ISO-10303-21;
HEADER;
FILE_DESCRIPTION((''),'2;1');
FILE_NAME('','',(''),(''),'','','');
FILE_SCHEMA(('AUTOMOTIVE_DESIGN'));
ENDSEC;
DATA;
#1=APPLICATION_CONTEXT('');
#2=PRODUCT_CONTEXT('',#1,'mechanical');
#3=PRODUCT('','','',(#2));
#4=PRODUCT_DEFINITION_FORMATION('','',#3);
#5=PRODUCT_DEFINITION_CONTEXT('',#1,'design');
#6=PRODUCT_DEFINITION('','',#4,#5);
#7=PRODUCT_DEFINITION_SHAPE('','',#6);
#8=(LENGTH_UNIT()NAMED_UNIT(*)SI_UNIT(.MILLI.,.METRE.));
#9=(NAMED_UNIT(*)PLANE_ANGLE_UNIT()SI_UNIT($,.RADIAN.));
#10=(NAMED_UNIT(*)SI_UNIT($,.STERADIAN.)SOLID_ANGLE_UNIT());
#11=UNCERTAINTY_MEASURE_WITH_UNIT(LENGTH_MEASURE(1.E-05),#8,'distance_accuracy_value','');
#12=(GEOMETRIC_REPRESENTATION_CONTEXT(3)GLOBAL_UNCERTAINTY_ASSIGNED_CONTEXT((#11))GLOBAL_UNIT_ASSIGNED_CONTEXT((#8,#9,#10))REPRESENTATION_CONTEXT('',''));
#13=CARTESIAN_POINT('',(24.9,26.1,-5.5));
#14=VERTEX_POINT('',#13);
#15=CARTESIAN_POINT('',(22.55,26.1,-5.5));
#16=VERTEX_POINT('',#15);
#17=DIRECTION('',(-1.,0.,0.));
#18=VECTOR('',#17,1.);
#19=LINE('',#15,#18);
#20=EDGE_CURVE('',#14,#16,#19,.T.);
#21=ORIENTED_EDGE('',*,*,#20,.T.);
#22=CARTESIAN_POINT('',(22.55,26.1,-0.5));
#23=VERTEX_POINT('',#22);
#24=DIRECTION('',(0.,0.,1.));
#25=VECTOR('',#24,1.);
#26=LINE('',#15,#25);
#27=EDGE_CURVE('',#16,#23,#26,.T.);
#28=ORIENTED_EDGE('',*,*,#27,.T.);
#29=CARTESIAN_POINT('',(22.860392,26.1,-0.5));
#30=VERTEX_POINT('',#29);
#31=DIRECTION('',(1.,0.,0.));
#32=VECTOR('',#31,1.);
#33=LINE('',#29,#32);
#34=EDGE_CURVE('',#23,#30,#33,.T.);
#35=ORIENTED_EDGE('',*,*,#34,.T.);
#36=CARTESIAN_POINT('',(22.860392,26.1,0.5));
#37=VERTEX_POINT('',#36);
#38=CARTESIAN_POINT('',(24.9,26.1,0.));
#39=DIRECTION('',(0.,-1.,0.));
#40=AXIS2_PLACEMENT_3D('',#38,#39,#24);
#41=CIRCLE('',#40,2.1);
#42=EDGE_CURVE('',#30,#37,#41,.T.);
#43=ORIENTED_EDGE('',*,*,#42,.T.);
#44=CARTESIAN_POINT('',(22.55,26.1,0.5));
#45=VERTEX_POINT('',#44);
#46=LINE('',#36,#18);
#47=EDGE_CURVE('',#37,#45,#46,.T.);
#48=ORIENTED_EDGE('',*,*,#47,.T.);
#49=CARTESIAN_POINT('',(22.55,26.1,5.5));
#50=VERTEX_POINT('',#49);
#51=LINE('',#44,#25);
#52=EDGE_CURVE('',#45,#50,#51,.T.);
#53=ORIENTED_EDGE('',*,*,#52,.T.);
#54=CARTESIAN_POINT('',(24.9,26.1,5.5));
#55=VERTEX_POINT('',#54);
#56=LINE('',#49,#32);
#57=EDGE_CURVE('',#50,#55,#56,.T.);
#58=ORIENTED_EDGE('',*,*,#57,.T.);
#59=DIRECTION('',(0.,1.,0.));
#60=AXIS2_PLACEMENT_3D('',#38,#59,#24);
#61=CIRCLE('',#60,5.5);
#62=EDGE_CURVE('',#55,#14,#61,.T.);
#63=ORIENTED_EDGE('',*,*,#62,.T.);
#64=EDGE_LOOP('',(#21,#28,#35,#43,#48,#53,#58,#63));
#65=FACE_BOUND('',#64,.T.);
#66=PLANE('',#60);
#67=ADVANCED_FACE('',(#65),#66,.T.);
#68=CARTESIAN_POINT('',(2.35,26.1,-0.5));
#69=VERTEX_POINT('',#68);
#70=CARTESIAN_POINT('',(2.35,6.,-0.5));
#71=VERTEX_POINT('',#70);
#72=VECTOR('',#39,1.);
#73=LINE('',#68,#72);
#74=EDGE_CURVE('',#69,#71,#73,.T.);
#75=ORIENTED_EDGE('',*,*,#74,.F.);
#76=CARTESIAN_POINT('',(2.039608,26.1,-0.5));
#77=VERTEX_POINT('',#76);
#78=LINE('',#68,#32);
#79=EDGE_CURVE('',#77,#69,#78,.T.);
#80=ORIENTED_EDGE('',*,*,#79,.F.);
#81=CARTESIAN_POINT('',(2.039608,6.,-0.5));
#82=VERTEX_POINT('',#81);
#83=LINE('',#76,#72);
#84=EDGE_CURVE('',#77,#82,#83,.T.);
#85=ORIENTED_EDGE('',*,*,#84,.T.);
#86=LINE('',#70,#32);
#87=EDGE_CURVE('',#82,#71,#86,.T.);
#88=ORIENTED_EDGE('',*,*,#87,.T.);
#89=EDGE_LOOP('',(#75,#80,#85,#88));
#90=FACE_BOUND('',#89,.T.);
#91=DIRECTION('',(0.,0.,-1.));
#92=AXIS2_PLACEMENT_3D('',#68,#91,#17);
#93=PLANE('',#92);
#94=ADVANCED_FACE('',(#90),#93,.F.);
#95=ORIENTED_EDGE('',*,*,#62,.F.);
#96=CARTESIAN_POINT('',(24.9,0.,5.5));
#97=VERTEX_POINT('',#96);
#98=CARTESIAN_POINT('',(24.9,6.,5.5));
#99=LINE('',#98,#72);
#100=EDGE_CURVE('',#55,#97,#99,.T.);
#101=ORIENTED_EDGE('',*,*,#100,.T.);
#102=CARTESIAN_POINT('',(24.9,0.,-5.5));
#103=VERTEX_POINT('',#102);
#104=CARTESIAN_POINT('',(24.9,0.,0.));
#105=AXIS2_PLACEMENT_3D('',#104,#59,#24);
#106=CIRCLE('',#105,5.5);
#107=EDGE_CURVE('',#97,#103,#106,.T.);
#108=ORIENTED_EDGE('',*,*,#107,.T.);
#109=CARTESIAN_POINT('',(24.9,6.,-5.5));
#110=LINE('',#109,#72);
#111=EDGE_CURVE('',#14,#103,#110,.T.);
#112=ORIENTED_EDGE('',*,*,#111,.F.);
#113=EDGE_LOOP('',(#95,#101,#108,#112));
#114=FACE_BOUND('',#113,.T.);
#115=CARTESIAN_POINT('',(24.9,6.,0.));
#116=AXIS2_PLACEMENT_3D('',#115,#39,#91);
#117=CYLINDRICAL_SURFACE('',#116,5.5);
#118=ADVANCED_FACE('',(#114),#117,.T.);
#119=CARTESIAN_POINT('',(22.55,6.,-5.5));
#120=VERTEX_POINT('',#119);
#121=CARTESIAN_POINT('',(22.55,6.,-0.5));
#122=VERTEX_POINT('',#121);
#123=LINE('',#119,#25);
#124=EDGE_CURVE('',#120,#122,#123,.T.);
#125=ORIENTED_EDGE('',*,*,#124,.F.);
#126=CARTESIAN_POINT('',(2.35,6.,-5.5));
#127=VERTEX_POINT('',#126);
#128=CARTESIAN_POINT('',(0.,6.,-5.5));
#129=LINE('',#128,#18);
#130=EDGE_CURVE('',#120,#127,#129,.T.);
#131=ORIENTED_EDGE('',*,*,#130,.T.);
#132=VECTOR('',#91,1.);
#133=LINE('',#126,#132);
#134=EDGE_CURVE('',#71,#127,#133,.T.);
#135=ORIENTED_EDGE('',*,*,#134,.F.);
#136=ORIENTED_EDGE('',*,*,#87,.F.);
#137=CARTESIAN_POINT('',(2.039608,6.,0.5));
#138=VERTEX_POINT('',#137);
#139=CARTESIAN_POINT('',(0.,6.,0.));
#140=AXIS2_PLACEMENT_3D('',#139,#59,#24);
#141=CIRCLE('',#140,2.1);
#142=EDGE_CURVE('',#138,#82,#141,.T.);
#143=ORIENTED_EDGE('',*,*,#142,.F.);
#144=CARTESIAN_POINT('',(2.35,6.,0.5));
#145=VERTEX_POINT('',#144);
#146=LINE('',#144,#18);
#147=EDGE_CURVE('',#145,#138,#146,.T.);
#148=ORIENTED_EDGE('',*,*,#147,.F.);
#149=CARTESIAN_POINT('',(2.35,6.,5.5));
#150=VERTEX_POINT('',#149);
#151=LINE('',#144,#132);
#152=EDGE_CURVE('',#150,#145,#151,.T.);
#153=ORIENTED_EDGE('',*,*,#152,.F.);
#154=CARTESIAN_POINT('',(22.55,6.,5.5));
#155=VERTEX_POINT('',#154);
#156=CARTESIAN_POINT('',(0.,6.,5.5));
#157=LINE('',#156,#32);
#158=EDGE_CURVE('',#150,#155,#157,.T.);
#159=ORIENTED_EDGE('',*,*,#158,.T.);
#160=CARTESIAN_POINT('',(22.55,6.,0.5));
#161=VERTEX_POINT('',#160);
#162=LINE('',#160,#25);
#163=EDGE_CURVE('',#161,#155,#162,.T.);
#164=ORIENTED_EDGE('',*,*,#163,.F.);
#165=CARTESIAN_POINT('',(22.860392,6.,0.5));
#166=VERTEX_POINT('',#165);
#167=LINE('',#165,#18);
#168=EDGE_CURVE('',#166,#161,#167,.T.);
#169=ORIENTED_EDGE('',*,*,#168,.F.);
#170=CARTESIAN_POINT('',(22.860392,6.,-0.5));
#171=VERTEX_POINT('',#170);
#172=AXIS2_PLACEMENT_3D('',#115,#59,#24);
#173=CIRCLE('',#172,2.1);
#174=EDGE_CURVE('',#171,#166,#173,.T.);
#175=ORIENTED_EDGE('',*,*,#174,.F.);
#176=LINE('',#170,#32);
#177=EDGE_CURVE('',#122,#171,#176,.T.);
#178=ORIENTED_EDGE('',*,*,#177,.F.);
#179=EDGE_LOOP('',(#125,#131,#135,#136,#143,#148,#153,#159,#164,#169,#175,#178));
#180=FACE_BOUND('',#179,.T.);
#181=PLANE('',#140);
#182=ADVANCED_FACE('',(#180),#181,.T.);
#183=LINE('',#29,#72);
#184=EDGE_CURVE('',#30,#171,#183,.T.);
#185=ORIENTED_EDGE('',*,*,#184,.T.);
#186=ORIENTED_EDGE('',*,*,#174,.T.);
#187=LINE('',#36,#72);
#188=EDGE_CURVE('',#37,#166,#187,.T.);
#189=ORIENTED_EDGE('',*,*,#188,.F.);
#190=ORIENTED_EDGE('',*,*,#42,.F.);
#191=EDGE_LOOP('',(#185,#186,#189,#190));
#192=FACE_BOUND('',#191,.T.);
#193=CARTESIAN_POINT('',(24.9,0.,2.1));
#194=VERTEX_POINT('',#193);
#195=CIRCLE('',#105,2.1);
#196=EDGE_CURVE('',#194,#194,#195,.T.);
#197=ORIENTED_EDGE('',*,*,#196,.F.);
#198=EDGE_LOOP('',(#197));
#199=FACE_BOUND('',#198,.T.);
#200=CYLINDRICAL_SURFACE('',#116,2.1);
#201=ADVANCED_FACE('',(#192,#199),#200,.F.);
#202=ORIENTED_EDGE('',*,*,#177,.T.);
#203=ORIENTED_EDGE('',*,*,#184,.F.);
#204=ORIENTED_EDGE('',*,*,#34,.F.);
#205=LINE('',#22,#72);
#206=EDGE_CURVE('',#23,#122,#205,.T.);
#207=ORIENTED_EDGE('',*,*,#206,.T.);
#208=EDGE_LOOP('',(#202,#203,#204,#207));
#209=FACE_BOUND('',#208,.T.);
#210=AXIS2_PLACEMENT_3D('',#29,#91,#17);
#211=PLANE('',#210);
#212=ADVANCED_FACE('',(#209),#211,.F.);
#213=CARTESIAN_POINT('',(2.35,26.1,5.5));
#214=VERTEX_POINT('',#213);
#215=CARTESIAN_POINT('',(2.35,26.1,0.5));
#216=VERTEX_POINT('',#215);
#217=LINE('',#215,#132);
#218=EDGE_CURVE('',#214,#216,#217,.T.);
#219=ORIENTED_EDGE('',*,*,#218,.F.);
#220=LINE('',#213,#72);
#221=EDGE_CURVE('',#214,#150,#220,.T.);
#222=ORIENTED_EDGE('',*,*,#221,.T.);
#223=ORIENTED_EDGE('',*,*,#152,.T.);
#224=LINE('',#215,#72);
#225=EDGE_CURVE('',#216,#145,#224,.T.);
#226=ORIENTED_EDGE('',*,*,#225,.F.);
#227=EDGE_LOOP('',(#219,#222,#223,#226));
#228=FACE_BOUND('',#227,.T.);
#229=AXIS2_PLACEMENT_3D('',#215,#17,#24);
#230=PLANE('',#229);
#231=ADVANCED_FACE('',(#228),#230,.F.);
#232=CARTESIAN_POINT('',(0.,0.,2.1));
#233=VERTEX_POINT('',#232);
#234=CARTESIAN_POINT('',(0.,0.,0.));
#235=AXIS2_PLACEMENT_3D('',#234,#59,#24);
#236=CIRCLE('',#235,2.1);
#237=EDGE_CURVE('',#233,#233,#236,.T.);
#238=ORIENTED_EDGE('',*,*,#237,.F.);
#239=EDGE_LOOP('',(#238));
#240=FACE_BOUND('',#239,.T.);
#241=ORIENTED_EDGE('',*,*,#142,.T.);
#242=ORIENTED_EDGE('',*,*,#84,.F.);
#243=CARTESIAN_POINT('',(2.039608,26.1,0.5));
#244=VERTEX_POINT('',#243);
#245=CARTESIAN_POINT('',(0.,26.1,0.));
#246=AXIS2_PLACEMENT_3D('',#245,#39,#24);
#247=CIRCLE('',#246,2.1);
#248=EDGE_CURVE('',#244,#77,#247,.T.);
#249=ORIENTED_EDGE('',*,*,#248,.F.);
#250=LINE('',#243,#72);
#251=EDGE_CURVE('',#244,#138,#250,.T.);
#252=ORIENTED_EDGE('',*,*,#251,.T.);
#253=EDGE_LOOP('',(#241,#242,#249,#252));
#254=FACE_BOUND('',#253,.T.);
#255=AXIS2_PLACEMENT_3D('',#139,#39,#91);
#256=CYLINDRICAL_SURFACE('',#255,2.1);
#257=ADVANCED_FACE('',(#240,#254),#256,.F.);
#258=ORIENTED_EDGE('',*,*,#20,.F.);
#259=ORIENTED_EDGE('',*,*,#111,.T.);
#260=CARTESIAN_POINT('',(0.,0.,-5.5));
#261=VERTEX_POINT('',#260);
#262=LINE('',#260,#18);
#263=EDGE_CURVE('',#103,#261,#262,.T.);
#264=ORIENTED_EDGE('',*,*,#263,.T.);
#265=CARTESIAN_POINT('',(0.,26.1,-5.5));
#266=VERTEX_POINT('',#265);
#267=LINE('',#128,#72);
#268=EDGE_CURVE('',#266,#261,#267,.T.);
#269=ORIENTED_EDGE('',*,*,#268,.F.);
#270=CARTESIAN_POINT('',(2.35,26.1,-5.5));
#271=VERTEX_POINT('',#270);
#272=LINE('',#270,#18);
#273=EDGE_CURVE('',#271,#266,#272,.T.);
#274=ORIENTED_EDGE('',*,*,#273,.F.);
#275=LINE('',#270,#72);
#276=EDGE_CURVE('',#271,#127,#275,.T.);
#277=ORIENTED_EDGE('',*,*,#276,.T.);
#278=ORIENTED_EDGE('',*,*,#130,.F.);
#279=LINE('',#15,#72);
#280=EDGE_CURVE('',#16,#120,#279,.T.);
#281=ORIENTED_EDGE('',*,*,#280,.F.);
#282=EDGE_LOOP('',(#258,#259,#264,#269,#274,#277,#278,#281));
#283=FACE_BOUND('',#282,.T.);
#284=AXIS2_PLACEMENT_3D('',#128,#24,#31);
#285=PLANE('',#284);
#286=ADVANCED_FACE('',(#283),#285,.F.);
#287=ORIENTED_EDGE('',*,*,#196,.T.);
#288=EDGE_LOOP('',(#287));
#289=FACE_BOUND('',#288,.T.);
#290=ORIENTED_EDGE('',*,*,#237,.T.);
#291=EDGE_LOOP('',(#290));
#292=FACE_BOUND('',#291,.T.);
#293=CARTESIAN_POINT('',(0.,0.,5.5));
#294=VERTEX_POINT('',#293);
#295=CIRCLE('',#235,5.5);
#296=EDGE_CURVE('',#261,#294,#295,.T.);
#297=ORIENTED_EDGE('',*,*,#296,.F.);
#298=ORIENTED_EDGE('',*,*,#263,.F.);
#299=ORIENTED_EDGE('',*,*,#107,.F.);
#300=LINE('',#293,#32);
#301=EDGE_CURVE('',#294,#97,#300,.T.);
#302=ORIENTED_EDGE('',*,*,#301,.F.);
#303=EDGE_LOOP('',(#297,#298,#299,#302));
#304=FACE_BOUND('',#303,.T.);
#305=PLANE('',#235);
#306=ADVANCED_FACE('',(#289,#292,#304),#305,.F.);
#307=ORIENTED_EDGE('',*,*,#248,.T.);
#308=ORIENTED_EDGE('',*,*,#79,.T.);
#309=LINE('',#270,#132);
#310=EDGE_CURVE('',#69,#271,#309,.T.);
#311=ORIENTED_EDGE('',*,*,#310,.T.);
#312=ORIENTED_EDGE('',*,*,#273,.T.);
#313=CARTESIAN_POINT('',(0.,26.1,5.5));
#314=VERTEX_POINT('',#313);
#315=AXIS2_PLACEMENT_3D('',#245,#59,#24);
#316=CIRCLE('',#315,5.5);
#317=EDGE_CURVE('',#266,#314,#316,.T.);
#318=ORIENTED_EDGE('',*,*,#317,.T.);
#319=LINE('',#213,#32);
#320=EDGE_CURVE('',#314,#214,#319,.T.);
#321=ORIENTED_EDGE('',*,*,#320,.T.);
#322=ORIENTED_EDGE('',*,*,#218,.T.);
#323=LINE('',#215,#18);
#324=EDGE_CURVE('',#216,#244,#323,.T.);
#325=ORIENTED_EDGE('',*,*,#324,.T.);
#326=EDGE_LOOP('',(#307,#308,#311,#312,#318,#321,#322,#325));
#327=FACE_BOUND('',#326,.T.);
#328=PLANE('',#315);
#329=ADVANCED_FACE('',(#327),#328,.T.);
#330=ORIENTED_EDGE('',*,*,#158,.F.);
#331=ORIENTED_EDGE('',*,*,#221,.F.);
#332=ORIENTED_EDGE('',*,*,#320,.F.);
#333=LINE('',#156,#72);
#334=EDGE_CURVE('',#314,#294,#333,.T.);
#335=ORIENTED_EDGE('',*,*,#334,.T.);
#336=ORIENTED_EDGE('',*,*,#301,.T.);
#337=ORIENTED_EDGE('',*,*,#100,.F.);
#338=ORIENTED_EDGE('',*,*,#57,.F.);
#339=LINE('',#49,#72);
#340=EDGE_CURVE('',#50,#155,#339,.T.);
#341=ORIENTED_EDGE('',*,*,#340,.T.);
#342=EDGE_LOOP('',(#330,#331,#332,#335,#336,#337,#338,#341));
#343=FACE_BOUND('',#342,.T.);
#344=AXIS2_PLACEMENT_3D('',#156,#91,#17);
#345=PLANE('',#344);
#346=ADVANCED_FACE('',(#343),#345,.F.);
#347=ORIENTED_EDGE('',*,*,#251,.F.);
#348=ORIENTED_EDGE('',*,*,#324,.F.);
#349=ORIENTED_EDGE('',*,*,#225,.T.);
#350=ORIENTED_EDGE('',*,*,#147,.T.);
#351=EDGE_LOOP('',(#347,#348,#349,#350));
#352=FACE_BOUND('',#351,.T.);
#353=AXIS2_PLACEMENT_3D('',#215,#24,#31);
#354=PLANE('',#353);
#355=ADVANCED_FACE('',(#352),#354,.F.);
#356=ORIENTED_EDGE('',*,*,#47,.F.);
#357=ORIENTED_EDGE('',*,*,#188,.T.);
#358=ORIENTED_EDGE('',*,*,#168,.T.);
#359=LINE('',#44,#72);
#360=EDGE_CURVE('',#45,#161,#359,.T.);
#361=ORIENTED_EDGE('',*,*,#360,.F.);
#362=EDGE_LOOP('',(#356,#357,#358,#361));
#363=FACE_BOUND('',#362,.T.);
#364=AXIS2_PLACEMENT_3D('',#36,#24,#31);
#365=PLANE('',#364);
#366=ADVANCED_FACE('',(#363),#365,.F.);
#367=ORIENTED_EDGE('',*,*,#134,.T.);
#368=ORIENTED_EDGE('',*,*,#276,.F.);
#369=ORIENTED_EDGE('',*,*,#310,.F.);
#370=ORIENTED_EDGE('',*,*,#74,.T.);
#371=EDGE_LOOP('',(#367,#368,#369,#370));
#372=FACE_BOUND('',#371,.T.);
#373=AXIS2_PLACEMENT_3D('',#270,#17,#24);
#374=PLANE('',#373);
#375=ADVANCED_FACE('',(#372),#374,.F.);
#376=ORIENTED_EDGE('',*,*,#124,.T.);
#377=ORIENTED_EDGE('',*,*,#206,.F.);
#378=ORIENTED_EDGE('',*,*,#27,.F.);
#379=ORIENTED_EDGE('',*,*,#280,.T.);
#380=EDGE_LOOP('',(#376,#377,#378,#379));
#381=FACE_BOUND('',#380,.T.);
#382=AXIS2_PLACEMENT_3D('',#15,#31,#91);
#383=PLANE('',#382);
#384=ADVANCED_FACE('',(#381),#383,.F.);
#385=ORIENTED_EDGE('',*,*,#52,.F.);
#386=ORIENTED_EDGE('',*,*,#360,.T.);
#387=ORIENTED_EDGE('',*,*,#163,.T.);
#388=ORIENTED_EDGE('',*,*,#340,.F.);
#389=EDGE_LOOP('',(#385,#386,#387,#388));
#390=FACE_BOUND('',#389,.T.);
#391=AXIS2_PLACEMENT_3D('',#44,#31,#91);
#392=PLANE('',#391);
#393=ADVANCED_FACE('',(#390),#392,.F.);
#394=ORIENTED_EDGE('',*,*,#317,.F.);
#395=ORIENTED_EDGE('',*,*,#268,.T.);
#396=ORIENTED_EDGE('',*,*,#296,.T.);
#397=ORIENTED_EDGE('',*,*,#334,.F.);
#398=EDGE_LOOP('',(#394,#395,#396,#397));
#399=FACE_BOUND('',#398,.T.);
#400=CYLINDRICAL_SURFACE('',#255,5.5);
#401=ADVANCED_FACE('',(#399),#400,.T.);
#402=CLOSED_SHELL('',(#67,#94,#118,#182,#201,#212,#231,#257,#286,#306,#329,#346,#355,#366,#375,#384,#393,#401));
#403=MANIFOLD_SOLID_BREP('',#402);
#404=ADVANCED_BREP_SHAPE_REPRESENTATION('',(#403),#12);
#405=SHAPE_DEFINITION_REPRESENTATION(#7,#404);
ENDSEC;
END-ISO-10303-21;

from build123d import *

# Parameters (mm, degrees)
SKETCH1_R           = 2.1
BOSS_EXTRUDE1_DEPTH = 6
BOSS_EXTRUDE2_DEPTH = 20.1


with BuildPart() as part:
    # Sketch1 → Boss-Extrude1 (new body)
    with BuildSketch(Plane(origin=(0, 0, 0), x_dir=(1, 0, 0), z_dir=(0, 1, 0))):
        with BuildLine():
            Line((0, 5.5), (24.9, 5.5))
            ThreePointArc((24.9, 5.5), (30.4, 0), (24.9, -5.5))
            Line((24.9, -5.5), (0, -5.5))
            ThreePointArc((0, -5.5), (-5.5, 0), (0, 5.5))
        make_face()
        Circle(SKETCH1_R, mode=Mode.SUBTRACT)
        with Locations((24.9, 0)):
            Circle(SKETCH1_R, mode=Mode.SUBTRACT)
    extrude(amount=BOSS_EXTRUDE1_DEPTH)

    # Sketch2 → Boss-Extrude2 (add)
    with BuildSketch(Plane(origin=(0, 6, 0), x_dir=(1, 0, 0), z_dir=(0, 1, 0))):
        with BuildLine():
            Line((22.55, 5.5), (22.55, 0.5))
            Line((22.55, 0.5), (22.860392195, 0.5))
            ThreePointArc((22.860392195, 0.5), (27, 0), (22.860392195, -0.5))
            Line((22.860392195, -0.5), (22.55, -0.5))
            Line((22.55, -0.5), (22.55, -5.5))
            Line((22.55, -5.5), (24.9, -5.5))
            ThreePointArc((24.9, -5.5), (30.4, 0), (24.9, 5.5))
            Line((24.9, 5.5), (22.55, 5.5))
        make_face()
        with BuildLine():
            Line((2.35, 5.5), (2.35, 0.5))
            Line((2.35, 0.5), (2.039607805, 0.5))
            ThreePointArc((2.039607805, 0.5), (-2.1, 0), (2.039607805, -0.5))
            Line((2.039607805, -0.5), (2.35, -0.5))
            Line((2.35, -0.5), (2.35, -5.5))
            Line((2.35, -5.5), (0, -5.5))
            ThreePointArc((0, -5.5), (-5.5, 0), (0, 5.5))
            Line((0, 5.5), (2.35, 5.5))
        make_face()
    extrude(amount=BOSS_EXTRUDE2_DEPTH)


solid = part.part
